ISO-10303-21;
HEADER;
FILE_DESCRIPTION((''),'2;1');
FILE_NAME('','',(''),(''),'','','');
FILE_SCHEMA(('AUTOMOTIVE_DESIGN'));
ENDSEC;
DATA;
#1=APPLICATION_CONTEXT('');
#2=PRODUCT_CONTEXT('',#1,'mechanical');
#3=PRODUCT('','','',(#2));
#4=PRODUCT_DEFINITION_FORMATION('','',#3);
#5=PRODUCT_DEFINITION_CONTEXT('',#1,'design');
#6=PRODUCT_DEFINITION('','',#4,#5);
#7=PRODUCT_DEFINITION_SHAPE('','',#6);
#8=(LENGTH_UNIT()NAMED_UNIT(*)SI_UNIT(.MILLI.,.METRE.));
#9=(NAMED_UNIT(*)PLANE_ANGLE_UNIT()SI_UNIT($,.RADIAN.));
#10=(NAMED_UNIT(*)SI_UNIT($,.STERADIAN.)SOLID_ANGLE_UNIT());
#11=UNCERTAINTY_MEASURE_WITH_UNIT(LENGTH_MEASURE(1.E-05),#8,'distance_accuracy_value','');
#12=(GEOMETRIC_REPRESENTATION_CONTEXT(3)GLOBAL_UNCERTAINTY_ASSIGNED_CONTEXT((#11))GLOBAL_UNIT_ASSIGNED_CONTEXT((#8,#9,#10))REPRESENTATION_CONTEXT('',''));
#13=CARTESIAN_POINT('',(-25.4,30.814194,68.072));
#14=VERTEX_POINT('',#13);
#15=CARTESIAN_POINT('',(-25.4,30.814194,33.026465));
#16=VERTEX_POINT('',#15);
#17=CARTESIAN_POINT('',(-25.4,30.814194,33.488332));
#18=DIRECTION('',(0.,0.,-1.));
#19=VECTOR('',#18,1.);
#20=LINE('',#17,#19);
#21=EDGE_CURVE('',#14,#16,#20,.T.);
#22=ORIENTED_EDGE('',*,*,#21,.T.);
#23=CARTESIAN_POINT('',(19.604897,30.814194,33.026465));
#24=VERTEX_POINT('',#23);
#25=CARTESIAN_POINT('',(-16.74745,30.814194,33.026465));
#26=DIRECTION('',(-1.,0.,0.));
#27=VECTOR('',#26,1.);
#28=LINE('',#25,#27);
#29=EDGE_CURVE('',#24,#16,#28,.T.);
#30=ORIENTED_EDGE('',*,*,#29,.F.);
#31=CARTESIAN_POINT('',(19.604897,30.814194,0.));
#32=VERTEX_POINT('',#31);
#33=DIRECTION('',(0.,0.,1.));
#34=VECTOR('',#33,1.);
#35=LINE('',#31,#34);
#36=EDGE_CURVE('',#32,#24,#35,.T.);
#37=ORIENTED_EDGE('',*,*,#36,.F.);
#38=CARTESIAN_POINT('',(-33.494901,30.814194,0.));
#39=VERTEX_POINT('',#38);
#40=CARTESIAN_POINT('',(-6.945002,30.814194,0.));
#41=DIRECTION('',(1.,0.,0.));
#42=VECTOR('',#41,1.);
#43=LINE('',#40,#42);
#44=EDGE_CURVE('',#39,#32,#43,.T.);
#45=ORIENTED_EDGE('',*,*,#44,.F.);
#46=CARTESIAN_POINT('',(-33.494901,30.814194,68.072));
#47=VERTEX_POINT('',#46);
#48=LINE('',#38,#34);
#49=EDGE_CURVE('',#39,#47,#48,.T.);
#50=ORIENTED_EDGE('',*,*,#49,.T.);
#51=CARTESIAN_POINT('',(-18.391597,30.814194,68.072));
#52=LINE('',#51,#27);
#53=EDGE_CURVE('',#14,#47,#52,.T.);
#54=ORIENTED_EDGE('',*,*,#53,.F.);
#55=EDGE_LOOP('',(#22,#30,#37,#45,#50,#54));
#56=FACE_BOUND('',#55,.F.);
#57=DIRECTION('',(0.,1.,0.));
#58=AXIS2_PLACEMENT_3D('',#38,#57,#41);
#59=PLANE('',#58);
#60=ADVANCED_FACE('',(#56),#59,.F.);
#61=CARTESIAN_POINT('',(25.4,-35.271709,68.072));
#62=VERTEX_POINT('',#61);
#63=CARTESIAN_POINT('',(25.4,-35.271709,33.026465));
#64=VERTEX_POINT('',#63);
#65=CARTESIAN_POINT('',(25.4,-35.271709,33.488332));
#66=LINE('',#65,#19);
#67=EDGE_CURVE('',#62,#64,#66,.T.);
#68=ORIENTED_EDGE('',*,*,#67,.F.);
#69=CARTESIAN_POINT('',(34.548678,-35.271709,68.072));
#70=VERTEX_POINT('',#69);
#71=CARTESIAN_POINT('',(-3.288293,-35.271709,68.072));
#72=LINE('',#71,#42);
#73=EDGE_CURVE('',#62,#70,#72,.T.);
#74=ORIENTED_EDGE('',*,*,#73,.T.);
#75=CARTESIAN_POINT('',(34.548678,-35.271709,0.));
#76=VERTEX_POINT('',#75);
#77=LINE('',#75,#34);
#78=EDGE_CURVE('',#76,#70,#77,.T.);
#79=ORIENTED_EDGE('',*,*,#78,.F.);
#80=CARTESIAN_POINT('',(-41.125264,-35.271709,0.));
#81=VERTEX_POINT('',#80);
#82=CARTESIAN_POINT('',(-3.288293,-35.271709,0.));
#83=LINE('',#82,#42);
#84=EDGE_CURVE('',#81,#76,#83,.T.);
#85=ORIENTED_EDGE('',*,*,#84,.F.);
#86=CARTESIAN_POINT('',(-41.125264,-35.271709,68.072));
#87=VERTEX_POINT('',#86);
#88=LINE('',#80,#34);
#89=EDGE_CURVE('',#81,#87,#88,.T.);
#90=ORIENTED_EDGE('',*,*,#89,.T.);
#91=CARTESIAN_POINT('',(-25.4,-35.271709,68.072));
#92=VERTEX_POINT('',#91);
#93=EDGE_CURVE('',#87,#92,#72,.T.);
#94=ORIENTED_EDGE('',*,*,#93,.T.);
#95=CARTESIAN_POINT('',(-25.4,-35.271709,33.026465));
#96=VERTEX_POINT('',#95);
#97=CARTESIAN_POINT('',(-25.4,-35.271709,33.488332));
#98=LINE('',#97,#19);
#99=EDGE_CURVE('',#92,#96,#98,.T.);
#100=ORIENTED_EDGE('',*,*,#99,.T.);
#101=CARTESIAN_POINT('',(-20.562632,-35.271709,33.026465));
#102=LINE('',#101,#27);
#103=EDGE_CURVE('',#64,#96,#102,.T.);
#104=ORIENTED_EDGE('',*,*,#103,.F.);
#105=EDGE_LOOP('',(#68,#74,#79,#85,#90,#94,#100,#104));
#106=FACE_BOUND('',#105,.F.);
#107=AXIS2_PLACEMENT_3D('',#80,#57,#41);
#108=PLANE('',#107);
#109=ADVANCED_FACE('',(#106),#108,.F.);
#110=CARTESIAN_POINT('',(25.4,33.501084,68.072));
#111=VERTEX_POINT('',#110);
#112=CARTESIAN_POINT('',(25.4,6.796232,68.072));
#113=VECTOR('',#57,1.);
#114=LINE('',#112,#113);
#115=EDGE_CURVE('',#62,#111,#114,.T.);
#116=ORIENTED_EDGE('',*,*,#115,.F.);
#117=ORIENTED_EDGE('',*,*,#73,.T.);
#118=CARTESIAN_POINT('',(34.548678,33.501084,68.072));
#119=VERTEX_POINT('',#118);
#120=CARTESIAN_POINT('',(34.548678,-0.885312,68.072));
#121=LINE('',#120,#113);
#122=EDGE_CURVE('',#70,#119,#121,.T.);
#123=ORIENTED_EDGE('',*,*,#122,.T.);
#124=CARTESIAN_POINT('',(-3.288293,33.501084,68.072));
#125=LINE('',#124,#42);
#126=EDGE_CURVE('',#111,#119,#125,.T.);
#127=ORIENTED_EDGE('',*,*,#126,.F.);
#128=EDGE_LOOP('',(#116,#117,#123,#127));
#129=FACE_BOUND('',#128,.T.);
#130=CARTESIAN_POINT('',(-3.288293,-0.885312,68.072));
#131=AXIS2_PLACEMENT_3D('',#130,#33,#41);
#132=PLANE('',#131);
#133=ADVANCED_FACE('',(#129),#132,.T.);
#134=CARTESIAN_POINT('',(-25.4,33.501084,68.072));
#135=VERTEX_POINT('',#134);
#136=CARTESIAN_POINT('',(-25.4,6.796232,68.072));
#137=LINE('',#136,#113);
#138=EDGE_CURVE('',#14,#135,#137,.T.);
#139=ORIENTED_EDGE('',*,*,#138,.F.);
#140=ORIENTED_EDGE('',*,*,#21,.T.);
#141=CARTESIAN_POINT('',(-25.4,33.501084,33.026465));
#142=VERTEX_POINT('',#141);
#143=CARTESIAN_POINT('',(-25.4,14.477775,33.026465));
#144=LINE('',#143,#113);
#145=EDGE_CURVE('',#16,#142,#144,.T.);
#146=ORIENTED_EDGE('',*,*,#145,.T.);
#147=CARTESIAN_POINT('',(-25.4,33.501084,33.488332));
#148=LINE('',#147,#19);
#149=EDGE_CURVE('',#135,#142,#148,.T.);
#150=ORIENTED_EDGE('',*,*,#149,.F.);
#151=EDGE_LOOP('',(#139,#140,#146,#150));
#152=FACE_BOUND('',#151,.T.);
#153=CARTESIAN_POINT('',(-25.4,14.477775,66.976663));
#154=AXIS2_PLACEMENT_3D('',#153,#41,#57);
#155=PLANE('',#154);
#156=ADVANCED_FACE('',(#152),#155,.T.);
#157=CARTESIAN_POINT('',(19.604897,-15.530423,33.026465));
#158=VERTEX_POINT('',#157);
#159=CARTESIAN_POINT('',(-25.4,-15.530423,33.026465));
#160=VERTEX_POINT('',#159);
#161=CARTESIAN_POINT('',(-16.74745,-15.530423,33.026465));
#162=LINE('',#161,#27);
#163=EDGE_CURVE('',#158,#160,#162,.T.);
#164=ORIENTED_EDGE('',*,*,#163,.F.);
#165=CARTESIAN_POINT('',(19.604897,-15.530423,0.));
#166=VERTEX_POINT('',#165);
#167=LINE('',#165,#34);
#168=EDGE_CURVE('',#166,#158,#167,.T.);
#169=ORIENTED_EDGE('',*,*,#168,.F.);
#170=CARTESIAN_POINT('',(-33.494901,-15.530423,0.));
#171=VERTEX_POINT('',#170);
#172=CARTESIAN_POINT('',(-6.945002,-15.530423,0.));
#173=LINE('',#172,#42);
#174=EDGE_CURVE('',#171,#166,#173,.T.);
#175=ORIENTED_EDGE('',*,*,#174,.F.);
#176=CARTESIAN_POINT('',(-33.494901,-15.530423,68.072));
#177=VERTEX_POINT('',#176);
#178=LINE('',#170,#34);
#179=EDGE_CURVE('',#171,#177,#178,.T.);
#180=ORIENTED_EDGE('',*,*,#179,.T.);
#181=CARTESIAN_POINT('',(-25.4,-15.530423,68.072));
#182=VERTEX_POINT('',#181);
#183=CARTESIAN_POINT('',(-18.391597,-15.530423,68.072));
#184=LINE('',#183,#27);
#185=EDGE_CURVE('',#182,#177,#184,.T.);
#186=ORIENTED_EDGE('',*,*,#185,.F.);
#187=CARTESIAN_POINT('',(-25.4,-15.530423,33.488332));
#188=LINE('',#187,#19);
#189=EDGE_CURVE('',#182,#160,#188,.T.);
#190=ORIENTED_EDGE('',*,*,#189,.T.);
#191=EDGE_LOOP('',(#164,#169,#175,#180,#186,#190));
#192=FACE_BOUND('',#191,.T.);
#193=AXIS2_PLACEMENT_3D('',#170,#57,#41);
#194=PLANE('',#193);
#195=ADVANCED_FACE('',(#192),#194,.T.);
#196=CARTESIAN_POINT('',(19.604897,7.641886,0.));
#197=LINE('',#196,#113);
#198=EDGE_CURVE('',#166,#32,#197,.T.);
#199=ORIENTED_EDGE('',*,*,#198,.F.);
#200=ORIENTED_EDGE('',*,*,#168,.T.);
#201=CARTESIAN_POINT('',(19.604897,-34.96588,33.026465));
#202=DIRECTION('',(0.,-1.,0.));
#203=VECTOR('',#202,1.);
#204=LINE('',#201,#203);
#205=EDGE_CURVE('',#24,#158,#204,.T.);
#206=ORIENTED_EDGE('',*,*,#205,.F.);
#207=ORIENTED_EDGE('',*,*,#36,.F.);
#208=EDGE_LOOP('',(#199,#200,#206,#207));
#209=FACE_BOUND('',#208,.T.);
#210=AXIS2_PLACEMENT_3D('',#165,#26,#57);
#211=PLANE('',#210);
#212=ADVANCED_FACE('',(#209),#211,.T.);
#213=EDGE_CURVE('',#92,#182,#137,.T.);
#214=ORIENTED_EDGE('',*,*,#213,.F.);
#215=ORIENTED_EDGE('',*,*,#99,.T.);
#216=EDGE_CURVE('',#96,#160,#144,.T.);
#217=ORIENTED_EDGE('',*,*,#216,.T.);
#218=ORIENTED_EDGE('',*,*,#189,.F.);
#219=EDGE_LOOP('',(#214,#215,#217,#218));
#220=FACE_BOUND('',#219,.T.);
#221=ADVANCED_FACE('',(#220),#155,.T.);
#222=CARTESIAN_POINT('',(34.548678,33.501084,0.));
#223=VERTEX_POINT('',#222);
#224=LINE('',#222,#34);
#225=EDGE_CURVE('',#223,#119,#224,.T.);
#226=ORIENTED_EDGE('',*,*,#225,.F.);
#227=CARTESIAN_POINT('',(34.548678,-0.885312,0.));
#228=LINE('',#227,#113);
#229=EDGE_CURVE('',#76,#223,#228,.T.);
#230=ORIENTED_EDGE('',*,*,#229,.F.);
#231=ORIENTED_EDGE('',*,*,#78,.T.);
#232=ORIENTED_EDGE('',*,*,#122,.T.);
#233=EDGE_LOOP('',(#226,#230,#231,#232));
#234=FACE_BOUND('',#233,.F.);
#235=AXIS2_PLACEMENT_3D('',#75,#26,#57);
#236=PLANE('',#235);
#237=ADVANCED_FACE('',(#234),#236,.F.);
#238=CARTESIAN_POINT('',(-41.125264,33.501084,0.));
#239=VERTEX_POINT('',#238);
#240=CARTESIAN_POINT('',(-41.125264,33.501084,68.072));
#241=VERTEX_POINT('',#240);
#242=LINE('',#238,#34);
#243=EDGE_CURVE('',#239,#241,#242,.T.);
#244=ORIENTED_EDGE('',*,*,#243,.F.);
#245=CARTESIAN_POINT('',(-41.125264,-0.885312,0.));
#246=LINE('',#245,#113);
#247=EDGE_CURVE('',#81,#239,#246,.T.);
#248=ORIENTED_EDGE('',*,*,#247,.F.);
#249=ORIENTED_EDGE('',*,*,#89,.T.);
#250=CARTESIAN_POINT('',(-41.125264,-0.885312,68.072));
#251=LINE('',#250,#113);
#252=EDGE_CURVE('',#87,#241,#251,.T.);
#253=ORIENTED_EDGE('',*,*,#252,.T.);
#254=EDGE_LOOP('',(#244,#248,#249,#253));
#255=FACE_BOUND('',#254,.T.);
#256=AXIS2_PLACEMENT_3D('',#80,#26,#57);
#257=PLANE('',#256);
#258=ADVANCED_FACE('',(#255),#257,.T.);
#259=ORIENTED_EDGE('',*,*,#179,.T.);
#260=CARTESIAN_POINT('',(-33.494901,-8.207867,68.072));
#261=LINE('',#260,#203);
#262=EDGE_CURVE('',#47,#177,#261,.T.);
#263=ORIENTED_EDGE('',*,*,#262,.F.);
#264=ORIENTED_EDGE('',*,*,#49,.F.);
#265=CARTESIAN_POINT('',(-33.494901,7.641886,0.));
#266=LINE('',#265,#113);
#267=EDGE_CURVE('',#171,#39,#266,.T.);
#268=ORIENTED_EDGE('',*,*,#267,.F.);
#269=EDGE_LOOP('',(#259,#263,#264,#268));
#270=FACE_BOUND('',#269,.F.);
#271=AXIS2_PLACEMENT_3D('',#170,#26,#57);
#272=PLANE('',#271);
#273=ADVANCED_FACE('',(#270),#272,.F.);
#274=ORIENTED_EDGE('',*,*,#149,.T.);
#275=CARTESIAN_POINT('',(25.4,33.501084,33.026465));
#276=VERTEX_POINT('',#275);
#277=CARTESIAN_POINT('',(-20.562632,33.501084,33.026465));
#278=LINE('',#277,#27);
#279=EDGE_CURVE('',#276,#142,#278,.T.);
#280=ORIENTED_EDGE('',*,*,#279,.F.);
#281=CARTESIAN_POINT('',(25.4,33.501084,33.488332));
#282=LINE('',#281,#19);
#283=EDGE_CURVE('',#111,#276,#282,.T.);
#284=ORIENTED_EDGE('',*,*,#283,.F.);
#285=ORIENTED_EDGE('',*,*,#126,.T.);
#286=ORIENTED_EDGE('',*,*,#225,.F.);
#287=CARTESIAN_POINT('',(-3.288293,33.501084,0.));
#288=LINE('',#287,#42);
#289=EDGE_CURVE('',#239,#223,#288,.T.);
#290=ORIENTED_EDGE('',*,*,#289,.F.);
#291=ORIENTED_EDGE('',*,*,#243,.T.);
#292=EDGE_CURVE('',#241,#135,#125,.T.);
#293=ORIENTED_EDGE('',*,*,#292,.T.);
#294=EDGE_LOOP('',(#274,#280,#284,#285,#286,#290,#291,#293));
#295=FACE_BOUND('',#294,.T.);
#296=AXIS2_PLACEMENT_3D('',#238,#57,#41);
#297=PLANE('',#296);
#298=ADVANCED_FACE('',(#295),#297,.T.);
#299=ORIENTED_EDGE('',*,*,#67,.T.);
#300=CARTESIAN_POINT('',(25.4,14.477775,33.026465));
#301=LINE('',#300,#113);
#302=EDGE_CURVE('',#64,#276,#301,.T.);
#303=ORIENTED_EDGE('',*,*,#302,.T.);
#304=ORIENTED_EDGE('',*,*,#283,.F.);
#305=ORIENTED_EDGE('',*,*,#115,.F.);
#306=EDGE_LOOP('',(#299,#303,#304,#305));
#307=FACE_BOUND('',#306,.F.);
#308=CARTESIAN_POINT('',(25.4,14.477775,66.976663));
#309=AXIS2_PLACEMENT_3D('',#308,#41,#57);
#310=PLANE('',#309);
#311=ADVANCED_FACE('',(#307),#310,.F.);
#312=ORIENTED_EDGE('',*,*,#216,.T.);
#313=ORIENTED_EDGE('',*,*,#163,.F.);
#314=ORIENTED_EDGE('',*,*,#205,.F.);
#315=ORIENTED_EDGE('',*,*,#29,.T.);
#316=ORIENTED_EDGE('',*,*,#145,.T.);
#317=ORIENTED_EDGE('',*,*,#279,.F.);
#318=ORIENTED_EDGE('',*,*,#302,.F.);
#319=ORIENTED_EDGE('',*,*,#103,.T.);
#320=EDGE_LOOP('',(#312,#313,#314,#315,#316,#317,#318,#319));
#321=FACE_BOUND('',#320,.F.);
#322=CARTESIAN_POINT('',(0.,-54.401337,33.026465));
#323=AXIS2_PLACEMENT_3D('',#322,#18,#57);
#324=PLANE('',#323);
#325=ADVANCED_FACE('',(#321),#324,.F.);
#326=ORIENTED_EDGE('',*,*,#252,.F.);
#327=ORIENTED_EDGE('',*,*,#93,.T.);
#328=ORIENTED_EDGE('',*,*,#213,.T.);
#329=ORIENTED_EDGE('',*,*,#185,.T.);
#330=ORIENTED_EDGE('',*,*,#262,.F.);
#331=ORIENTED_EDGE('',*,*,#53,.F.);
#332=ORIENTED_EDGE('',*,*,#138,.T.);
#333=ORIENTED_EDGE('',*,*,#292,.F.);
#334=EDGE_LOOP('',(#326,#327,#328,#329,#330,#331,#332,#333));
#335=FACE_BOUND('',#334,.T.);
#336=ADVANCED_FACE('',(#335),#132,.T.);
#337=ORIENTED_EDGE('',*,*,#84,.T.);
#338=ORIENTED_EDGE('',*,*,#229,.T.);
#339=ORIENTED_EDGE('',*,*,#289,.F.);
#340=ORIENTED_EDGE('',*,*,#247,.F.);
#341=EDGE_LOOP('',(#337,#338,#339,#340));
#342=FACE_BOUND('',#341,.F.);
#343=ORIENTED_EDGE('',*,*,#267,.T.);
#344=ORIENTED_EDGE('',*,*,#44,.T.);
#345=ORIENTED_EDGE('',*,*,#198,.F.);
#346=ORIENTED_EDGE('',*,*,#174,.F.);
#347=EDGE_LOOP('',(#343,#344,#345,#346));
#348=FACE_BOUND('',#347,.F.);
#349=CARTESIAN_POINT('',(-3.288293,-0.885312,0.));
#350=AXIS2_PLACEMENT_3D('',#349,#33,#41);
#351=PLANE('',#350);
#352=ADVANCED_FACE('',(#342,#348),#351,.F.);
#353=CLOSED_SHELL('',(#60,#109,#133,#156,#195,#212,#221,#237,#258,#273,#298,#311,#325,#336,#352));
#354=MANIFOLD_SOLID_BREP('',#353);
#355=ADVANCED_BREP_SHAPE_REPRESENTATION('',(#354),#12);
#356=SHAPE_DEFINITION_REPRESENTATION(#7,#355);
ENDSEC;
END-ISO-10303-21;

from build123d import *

# Parameters (mm, degrees)
F0_W     = 75.673942
F0_H     = 68.772793
F1_DEPTH = 68.072
F2_W     = 53.099798
F2_H     = 46.344617
F3_DEPTH = 104.902
F4_W     = 137.758225
F4_H     = 67.900397
F5_DEPTH = 25.4


with BuildPart() as f1:
    # F0 (on Top) → F1 (new body)
    with BuildSketch(Plane.XY):
        with Locations((-3.288293, -0.885312)):
            Rectangle(F0_W, F0_H)
    extrude(amount=F1_DEPTH)

    # F2 (on Top) → F3 (cut)
    with BuildSketch(Plane.XY):
        with Locations((-6.945002, 7.641886)):
            Rectangle(F2_W, F2_H)
    extrude(amount=F3_DEPTH, mode=Mode.SUBTRACT)

    # F4 (on Right) → F5 (cut, symmetric)
    with BuildSketch(Plane.YZ):
        with Locations((14.477775, 66.976663)):
            Rectangle(F4_W, F4_H)
    extrude(amount=F5_DEPTH, both=True, mode=Mode.SUBTRACT)


solid = f1.part
